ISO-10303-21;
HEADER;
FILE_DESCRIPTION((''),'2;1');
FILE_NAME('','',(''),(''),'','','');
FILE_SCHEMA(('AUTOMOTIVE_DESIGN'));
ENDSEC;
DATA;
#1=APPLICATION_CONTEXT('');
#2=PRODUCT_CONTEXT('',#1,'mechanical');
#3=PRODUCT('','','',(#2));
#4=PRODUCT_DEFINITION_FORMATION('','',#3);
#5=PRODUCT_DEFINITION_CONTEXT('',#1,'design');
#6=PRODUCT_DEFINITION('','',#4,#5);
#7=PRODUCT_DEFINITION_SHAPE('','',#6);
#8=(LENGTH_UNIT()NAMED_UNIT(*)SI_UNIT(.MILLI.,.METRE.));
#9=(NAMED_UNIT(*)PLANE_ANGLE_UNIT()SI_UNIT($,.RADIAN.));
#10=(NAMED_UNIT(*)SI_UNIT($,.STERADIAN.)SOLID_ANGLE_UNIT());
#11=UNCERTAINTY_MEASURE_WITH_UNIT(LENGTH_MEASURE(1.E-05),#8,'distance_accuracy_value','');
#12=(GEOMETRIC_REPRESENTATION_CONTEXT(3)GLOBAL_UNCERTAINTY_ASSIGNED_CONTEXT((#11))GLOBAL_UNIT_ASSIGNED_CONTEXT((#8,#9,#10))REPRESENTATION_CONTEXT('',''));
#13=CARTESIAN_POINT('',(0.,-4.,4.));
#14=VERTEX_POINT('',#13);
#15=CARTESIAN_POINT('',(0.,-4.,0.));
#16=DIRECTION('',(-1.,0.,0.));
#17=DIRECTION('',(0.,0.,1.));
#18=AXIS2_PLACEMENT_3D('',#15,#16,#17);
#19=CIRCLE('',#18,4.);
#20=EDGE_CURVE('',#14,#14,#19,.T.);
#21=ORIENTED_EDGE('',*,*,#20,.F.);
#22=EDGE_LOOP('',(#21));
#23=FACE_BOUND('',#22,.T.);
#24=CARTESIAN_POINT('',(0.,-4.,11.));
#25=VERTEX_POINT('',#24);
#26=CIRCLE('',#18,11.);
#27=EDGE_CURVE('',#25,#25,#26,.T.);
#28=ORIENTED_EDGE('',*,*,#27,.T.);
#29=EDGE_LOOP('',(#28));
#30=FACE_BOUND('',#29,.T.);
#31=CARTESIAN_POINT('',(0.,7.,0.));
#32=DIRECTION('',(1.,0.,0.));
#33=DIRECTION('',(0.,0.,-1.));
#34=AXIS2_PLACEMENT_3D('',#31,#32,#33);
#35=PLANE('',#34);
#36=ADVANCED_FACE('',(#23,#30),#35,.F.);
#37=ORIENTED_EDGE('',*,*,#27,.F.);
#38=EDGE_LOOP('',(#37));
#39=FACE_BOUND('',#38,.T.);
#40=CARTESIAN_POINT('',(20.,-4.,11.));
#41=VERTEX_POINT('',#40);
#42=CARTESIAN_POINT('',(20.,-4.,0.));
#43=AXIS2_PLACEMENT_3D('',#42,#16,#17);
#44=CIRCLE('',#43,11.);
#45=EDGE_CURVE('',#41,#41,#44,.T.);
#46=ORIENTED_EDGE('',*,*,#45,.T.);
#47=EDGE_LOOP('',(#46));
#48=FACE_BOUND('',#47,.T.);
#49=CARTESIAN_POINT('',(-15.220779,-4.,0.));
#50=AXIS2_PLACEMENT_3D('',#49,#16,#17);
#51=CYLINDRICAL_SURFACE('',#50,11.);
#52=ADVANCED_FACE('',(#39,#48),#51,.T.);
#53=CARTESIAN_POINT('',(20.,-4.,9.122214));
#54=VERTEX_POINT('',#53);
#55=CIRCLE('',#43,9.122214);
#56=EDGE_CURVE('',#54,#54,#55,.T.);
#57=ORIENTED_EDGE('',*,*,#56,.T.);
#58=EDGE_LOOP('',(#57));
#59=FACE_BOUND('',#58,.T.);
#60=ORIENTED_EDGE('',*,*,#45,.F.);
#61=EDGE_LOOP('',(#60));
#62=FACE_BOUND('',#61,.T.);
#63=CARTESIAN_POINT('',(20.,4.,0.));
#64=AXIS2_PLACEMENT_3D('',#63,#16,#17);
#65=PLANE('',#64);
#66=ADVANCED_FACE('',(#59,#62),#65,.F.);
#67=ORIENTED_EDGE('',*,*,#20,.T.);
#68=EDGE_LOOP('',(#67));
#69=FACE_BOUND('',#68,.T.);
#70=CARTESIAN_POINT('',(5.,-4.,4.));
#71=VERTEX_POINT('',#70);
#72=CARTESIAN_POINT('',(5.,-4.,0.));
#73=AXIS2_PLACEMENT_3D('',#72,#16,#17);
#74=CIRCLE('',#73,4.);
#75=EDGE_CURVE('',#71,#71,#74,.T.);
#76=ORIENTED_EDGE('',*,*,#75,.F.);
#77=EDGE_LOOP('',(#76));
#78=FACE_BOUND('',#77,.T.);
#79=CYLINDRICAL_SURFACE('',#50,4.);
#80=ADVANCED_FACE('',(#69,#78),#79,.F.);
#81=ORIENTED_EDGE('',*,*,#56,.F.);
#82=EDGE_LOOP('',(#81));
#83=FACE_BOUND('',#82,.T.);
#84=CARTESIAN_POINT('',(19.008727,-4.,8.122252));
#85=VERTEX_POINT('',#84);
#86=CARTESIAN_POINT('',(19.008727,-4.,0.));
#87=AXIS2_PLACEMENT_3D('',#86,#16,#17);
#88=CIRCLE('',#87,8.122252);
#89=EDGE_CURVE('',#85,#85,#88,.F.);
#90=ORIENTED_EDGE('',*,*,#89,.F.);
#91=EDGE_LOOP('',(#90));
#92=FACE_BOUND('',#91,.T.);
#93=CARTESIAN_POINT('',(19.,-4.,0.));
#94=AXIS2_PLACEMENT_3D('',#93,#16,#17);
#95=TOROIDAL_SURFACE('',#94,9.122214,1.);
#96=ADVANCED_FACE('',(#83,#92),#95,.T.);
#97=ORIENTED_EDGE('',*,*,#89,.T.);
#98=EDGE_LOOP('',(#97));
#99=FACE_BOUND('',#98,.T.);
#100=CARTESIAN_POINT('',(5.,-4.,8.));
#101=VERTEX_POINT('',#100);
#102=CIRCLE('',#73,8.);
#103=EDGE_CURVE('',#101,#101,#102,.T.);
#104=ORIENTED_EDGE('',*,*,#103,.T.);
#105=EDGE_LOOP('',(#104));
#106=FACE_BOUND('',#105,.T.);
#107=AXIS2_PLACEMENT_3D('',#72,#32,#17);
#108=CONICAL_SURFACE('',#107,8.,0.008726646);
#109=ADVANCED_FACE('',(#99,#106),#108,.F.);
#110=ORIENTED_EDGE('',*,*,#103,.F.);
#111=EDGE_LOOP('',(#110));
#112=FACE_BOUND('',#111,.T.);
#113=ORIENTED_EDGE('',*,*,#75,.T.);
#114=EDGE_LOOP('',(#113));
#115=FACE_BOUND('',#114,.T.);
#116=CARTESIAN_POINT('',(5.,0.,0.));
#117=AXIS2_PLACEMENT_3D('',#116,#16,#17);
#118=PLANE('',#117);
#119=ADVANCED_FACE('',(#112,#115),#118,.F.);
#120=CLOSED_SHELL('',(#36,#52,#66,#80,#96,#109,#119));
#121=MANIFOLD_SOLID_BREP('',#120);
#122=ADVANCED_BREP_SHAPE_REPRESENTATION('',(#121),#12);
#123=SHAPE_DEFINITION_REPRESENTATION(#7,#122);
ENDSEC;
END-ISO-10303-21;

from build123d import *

# Parameters (mm, degrees)
DRAFT1_ANGLE = 0.5
FILLET2_R    = 1


with BuildPart() as part:
    # Sketch1 → Revolve1 (revolve)
    with BuildSketch(Plane.XY, mode=Mode.PRIVATE) as revolve1_sk:
        Polygon((0, 0), (5, 0), (5, 4), (20, 4), (20, 7), (0, 7), align=None)
    revolve(revolve1_sk.sketch.rotate(Axis((-15.220779221, -4, 0), (1, 0, 0)), 90), axis=Axis((-15.220779221, -4, 0), (1, 0, 0)))

    # Draft1
    draft1_faces = [part.faces().sort_by_distance(p)[0] for p in [
        (12.5, -4, -8),
    ]]
    draft(draft1_faces, Plane(origin=(5, 0, 0), x_dir=(0, 0, 1), z_dir=(1, 0, 0)), DRAFT1_ANGLE)

    # Fillet2
    fillet2_edges = [part.edges().sort_by_distance(p)[0] for p in [
        (20, -4, -8.130903017),
    ]]
    fillet(fillet2_edges, radius=FILLET2_R)


solid = part.part
